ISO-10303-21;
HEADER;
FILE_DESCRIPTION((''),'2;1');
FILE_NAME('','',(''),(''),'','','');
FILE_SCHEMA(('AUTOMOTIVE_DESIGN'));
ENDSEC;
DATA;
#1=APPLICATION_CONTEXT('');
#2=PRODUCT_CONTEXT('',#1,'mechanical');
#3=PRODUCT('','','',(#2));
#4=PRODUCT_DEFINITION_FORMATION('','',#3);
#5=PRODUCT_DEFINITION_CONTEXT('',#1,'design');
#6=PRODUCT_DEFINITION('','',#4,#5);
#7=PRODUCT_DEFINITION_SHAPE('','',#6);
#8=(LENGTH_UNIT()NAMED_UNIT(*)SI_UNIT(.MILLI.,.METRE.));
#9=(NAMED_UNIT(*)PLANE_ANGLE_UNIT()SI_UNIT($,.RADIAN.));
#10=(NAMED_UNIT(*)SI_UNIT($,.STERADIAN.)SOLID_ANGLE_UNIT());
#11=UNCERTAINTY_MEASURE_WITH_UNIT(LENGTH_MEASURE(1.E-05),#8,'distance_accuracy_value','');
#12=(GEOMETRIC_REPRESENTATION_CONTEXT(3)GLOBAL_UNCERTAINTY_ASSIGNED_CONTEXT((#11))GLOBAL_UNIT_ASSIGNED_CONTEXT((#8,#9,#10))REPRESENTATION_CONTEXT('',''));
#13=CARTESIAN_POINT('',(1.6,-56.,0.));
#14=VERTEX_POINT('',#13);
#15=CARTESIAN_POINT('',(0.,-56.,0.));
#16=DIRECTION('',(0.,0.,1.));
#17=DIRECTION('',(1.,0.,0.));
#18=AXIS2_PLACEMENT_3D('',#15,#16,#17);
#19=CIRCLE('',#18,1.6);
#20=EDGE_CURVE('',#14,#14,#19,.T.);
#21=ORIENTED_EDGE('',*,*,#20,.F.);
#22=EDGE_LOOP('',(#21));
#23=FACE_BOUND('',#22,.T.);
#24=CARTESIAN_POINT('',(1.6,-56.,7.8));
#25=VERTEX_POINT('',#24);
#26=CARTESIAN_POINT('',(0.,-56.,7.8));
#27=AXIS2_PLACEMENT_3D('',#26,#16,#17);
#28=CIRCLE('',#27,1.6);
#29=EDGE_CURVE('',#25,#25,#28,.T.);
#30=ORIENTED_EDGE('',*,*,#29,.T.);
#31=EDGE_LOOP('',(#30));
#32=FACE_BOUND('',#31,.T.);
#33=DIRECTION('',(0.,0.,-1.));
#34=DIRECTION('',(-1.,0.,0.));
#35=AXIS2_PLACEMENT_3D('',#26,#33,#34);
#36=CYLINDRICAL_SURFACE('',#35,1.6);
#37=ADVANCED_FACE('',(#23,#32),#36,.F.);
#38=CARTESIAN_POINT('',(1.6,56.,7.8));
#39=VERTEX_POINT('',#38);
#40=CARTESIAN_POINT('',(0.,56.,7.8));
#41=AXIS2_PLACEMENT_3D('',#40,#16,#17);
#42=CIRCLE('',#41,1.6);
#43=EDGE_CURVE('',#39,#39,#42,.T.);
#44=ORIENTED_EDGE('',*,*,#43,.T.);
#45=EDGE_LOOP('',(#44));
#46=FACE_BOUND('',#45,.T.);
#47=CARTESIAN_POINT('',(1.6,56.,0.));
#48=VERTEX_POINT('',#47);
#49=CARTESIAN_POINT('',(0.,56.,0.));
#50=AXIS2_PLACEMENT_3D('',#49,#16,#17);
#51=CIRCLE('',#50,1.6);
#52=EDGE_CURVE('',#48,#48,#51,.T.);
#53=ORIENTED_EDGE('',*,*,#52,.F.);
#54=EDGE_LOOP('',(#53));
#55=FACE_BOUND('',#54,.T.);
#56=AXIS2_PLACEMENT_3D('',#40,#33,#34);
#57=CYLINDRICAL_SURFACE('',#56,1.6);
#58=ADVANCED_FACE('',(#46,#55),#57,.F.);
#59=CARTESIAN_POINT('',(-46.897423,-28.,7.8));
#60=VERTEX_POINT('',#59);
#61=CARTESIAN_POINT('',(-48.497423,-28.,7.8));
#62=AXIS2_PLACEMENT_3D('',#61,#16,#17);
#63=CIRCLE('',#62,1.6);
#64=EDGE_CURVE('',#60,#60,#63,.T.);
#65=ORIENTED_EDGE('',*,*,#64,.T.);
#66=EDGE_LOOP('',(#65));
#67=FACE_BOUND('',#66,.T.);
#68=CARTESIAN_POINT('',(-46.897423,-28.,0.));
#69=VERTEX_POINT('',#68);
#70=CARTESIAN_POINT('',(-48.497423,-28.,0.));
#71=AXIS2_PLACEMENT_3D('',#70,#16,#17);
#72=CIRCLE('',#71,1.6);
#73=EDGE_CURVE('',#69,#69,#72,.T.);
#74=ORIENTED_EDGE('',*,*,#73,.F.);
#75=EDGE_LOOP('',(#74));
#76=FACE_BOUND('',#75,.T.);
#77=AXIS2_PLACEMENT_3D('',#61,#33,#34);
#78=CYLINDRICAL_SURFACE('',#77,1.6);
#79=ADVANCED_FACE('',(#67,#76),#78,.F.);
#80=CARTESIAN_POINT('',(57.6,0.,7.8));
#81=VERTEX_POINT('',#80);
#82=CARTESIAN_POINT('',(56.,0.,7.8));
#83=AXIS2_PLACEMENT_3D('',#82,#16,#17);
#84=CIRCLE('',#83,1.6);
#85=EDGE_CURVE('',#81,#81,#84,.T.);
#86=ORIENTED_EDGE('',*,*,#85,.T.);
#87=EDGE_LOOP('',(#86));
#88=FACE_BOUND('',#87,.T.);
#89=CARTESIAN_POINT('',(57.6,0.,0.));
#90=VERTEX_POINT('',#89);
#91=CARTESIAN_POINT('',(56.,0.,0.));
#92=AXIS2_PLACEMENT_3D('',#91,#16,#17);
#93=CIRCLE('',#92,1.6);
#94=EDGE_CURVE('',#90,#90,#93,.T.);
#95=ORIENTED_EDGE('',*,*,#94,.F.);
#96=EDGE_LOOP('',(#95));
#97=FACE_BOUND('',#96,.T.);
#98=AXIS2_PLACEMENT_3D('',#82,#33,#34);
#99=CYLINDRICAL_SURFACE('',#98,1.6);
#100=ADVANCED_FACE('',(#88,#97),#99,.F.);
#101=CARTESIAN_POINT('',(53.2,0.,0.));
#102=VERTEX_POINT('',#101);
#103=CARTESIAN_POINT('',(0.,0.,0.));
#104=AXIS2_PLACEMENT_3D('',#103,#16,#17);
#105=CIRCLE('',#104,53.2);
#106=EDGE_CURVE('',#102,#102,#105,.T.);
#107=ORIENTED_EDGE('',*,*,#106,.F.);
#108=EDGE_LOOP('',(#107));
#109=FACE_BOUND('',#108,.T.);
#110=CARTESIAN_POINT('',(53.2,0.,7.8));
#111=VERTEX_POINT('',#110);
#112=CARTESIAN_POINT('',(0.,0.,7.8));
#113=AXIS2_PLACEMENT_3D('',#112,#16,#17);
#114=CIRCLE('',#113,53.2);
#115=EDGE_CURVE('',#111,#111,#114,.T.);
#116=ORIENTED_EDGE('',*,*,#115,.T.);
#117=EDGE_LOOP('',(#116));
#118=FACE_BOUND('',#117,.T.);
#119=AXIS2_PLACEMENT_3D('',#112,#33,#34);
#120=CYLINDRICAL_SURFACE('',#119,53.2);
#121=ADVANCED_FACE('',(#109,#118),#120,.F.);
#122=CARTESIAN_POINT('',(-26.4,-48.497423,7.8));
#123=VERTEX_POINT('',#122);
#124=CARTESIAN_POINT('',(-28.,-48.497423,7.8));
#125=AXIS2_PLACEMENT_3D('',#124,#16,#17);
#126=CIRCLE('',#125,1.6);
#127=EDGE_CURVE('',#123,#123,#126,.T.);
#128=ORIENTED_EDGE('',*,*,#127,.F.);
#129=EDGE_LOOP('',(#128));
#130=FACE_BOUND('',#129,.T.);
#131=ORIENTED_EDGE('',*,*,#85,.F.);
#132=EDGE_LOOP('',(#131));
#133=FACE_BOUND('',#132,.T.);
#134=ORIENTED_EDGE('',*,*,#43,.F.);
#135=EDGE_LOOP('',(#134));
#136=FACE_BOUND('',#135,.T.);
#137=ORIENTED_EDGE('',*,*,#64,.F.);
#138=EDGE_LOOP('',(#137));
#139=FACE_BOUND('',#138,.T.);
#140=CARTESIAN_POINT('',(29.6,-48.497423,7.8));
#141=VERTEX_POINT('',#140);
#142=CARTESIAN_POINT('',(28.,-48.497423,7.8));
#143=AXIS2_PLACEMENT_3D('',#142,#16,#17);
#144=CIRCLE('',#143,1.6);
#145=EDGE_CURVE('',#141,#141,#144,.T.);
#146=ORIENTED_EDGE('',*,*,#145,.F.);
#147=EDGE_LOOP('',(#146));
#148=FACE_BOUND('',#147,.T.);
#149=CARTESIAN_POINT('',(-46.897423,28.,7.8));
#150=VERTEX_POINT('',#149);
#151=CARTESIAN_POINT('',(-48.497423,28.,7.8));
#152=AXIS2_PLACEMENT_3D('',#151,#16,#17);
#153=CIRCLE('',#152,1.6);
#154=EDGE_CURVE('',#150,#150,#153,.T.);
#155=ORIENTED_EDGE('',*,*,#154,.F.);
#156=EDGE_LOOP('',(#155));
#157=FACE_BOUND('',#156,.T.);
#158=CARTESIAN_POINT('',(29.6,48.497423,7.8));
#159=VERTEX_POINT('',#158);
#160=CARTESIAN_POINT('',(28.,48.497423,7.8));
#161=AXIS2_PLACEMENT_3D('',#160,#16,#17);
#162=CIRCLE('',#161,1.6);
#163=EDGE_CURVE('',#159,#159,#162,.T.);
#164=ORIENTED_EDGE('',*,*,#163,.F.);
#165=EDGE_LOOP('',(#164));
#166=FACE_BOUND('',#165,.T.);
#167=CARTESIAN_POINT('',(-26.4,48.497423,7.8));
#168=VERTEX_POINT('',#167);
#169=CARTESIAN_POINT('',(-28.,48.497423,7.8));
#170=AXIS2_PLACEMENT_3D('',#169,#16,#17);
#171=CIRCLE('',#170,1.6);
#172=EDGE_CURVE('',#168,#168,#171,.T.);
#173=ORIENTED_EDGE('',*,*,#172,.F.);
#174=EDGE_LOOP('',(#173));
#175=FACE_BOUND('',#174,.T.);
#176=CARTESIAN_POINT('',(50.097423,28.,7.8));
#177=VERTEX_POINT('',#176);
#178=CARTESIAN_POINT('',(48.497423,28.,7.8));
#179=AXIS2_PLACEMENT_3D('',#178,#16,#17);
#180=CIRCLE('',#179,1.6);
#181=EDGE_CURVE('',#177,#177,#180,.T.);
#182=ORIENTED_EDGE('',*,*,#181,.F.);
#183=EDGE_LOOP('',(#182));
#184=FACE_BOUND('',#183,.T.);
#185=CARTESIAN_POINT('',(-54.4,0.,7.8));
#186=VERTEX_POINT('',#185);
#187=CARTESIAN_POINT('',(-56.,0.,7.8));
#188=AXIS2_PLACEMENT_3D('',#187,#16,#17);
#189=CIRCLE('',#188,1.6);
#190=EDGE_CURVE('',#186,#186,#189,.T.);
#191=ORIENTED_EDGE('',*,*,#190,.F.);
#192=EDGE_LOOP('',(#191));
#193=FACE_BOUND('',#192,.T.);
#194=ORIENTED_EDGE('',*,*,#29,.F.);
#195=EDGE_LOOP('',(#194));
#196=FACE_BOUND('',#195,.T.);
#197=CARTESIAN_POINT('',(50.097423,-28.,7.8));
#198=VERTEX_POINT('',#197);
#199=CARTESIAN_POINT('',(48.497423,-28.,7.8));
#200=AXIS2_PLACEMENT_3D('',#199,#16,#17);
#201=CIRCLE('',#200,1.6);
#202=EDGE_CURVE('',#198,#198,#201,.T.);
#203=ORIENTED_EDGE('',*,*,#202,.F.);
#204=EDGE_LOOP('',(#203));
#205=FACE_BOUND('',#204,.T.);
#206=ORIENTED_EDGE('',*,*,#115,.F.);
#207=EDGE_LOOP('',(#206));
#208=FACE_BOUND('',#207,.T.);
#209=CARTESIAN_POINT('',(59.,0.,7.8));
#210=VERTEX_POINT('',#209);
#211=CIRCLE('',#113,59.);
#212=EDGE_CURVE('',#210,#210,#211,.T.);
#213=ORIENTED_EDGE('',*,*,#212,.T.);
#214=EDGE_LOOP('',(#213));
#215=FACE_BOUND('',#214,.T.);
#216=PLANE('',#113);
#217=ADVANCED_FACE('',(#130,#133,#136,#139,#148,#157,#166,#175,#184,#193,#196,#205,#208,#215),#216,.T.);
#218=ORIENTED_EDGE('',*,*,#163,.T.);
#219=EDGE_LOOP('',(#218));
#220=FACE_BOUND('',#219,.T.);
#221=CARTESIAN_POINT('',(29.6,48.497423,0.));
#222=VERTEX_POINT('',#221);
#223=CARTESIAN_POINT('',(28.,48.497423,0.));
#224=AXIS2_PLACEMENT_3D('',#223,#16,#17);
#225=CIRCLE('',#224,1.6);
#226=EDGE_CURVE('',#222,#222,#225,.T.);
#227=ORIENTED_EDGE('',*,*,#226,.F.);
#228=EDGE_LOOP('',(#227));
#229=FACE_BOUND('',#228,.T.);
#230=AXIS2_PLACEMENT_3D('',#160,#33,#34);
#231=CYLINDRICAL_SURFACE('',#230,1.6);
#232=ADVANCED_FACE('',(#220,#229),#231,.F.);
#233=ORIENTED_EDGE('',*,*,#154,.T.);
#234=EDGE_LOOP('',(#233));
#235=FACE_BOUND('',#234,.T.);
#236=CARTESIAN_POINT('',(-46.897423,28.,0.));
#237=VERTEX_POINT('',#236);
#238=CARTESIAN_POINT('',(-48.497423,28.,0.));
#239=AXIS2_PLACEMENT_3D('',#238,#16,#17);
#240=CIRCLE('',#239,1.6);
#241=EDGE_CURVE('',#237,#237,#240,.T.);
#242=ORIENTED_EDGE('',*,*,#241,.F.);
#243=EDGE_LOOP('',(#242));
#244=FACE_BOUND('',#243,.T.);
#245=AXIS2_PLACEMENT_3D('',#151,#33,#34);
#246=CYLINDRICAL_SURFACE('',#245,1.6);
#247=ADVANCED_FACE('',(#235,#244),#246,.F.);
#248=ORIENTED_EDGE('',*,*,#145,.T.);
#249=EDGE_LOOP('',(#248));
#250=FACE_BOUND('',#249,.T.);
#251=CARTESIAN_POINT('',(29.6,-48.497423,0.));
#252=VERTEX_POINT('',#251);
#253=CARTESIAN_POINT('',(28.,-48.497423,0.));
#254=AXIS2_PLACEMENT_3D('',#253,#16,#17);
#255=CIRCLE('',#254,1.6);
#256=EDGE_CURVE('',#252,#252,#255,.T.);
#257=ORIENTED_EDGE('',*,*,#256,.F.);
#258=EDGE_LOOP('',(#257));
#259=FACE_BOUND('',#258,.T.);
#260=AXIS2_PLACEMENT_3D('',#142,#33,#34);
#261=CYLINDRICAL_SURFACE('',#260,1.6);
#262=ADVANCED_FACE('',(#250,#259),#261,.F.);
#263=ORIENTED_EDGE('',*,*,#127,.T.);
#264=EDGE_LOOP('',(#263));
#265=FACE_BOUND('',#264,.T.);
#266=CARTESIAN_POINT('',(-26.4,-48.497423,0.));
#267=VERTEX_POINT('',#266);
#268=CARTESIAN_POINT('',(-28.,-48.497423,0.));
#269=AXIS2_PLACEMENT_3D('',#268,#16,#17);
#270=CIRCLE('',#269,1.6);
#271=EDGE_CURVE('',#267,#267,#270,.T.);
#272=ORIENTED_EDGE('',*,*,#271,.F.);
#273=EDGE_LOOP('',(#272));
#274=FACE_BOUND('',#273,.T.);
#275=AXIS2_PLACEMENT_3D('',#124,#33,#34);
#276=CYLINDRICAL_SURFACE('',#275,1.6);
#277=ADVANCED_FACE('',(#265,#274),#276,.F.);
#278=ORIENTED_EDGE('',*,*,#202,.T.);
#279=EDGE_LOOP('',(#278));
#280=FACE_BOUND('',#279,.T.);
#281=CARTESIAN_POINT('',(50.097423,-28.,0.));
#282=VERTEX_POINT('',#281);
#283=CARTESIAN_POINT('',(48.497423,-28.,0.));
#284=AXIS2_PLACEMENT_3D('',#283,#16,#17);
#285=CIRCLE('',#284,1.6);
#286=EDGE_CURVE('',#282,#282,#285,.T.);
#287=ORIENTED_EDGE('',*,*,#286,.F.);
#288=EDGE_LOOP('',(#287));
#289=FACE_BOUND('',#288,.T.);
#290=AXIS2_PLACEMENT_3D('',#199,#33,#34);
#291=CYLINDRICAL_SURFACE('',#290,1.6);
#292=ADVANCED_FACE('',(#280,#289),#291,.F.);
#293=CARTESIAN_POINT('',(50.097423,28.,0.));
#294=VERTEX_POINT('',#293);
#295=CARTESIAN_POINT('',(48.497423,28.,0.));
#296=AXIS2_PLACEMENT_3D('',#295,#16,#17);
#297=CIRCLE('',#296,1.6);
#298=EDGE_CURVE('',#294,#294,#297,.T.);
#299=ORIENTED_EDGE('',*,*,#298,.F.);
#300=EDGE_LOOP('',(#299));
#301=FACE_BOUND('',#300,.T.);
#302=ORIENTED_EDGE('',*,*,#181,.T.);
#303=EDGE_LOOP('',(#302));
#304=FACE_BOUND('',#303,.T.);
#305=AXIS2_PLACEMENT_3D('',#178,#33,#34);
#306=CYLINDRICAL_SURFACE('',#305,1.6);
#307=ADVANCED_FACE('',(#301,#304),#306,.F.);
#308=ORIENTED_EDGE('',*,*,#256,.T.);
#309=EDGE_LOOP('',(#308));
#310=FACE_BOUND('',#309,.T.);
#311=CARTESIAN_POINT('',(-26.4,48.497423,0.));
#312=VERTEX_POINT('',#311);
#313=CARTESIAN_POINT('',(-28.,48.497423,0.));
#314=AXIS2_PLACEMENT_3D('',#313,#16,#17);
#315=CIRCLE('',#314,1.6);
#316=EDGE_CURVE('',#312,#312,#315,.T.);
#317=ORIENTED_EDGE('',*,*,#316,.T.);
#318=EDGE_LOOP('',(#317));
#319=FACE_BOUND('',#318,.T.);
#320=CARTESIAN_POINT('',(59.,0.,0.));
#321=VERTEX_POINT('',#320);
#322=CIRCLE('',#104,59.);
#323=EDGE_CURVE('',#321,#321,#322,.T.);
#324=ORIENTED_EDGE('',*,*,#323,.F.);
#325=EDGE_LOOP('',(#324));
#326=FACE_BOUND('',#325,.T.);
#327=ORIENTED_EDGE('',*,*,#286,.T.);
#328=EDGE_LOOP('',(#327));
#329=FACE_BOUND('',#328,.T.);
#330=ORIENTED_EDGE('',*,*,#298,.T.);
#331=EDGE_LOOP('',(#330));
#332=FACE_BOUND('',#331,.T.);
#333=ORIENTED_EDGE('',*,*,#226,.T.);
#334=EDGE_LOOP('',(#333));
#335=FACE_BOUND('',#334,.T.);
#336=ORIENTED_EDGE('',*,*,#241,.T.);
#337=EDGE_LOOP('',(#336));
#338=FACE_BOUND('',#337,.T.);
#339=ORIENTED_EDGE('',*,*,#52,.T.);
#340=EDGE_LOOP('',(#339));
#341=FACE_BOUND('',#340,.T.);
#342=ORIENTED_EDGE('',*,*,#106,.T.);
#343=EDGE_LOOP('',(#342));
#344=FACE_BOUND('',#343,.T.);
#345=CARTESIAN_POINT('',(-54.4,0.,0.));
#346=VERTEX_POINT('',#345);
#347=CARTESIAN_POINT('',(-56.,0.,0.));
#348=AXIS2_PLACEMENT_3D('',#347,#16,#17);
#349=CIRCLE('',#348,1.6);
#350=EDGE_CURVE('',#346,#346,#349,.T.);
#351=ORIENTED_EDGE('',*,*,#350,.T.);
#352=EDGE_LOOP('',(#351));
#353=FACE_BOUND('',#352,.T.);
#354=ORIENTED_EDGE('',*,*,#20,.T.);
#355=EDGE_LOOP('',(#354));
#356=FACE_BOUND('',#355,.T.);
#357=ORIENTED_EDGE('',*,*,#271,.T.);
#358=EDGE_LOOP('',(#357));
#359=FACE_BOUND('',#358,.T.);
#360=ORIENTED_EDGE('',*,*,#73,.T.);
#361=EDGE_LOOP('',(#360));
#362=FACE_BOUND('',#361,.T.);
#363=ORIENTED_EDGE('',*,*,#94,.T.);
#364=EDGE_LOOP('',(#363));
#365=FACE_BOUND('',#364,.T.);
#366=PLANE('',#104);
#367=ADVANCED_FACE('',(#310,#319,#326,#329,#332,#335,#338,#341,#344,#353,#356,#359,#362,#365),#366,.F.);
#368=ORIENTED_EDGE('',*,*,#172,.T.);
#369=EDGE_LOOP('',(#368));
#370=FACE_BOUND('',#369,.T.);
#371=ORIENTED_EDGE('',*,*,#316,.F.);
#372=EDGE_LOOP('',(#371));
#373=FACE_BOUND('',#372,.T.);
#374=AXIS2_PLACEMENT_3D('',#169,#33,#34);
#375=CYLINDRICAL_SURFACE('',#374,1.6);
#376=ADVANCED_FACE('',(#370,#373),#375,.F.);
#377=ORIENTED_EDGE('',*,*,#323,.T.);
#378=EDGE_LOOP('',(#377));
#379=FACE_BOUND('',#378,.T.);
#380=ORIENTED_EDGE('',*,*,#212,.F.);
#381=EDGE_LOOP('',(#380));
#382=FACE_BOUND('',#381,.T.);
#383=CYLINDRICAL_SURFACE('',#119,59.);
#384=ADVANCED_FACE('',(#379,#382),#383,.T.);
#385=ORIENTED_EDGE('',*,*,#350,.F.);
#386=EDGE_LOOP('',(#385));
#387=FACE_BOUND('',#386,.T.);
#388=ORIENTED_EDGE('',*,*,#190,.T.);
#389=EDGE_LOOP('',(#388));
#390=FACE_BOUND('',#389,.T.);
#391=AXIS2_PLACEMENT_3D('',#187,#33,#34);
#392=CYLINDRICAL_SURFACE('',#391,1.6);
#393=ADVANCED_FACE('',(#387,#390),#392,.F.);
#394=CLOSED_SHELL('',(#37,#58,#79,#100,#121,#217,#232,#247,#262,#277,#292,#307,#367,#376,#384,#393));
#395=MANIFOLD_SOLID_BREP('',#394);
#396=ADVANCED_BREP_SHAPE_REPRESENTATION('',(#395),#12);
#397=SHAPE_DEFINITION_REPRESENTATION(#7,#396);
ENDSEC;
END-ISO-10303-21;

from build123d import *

# Parameters (mm, degrees)
SKETCH_1_R      = 59
SKETCH_1_R_2    = 53.2
SKETCH_1_R_3    = 1.6
EXTRUDE_1_DEPTH = 7.8


with BuildPart() as part:
    # 草图1 → 凸台-拉伸1 (new body)
    with BuildSketch(Plane.XY):
        Circle(SKETCH_1_R)
        Circle(SKETCH_1_R_2, mode=Mode.SUBTRACT)
        with Locations((0, 56)):
            Circle(SKETCH_1_R_3, mode=Mode.SUBTRACT)
        with Locations((28, 48.497422612)):
            Circle(SKETCH_1_R_3, mode=Mode.SUBTRACT)
        with Locations((48.497422612, 28)):
            Circle(SKETCH_1_R_3, mode=Mode.SUBTRACT)
        with Locations((56, 0)):
            Circle(SKETCH_1_R_3, mode=Mode.SUBTRACT)
        with Locations((48.497422612, -28)):
            Circle(SKETCH_1_R_3, mode=Mode.SUBTRACT)
        with Locations((28, -48.497422612)):
            Circle(SKETCH_1_R_3, mode=Mode.SUBTRACT)
        with Locations((0, -56)):
            Circle(SKETCH_1_R_3, mode=Mode.SUBTRACT)
        with Locations((-28, -48.497422612)):
            Circle(SKETCH_1_R_3, mode=Mode.SUBTRACT)
        with Locations((-48.497422612, -28)):
            Circle(SKETCH_1_R_3, mode=Mode.SUBTRACT)
        with Locations((-56, 0)):
            Circle(SKETCH_1_R_3, mode=Mode.SUBTRACT)
        with Locations((-48.497422612, 28)):
            Circle(SKETCH_1_R_3, mode=Mode.SUBTRACT)
        with Locations((-28, 48.497422612)):
            Circle(SKETCH_1_R_3, mode=Mode.SUBTRACT)
    extrude(amount=EXTRUDE_1_DEPTH)


solid = part.part
